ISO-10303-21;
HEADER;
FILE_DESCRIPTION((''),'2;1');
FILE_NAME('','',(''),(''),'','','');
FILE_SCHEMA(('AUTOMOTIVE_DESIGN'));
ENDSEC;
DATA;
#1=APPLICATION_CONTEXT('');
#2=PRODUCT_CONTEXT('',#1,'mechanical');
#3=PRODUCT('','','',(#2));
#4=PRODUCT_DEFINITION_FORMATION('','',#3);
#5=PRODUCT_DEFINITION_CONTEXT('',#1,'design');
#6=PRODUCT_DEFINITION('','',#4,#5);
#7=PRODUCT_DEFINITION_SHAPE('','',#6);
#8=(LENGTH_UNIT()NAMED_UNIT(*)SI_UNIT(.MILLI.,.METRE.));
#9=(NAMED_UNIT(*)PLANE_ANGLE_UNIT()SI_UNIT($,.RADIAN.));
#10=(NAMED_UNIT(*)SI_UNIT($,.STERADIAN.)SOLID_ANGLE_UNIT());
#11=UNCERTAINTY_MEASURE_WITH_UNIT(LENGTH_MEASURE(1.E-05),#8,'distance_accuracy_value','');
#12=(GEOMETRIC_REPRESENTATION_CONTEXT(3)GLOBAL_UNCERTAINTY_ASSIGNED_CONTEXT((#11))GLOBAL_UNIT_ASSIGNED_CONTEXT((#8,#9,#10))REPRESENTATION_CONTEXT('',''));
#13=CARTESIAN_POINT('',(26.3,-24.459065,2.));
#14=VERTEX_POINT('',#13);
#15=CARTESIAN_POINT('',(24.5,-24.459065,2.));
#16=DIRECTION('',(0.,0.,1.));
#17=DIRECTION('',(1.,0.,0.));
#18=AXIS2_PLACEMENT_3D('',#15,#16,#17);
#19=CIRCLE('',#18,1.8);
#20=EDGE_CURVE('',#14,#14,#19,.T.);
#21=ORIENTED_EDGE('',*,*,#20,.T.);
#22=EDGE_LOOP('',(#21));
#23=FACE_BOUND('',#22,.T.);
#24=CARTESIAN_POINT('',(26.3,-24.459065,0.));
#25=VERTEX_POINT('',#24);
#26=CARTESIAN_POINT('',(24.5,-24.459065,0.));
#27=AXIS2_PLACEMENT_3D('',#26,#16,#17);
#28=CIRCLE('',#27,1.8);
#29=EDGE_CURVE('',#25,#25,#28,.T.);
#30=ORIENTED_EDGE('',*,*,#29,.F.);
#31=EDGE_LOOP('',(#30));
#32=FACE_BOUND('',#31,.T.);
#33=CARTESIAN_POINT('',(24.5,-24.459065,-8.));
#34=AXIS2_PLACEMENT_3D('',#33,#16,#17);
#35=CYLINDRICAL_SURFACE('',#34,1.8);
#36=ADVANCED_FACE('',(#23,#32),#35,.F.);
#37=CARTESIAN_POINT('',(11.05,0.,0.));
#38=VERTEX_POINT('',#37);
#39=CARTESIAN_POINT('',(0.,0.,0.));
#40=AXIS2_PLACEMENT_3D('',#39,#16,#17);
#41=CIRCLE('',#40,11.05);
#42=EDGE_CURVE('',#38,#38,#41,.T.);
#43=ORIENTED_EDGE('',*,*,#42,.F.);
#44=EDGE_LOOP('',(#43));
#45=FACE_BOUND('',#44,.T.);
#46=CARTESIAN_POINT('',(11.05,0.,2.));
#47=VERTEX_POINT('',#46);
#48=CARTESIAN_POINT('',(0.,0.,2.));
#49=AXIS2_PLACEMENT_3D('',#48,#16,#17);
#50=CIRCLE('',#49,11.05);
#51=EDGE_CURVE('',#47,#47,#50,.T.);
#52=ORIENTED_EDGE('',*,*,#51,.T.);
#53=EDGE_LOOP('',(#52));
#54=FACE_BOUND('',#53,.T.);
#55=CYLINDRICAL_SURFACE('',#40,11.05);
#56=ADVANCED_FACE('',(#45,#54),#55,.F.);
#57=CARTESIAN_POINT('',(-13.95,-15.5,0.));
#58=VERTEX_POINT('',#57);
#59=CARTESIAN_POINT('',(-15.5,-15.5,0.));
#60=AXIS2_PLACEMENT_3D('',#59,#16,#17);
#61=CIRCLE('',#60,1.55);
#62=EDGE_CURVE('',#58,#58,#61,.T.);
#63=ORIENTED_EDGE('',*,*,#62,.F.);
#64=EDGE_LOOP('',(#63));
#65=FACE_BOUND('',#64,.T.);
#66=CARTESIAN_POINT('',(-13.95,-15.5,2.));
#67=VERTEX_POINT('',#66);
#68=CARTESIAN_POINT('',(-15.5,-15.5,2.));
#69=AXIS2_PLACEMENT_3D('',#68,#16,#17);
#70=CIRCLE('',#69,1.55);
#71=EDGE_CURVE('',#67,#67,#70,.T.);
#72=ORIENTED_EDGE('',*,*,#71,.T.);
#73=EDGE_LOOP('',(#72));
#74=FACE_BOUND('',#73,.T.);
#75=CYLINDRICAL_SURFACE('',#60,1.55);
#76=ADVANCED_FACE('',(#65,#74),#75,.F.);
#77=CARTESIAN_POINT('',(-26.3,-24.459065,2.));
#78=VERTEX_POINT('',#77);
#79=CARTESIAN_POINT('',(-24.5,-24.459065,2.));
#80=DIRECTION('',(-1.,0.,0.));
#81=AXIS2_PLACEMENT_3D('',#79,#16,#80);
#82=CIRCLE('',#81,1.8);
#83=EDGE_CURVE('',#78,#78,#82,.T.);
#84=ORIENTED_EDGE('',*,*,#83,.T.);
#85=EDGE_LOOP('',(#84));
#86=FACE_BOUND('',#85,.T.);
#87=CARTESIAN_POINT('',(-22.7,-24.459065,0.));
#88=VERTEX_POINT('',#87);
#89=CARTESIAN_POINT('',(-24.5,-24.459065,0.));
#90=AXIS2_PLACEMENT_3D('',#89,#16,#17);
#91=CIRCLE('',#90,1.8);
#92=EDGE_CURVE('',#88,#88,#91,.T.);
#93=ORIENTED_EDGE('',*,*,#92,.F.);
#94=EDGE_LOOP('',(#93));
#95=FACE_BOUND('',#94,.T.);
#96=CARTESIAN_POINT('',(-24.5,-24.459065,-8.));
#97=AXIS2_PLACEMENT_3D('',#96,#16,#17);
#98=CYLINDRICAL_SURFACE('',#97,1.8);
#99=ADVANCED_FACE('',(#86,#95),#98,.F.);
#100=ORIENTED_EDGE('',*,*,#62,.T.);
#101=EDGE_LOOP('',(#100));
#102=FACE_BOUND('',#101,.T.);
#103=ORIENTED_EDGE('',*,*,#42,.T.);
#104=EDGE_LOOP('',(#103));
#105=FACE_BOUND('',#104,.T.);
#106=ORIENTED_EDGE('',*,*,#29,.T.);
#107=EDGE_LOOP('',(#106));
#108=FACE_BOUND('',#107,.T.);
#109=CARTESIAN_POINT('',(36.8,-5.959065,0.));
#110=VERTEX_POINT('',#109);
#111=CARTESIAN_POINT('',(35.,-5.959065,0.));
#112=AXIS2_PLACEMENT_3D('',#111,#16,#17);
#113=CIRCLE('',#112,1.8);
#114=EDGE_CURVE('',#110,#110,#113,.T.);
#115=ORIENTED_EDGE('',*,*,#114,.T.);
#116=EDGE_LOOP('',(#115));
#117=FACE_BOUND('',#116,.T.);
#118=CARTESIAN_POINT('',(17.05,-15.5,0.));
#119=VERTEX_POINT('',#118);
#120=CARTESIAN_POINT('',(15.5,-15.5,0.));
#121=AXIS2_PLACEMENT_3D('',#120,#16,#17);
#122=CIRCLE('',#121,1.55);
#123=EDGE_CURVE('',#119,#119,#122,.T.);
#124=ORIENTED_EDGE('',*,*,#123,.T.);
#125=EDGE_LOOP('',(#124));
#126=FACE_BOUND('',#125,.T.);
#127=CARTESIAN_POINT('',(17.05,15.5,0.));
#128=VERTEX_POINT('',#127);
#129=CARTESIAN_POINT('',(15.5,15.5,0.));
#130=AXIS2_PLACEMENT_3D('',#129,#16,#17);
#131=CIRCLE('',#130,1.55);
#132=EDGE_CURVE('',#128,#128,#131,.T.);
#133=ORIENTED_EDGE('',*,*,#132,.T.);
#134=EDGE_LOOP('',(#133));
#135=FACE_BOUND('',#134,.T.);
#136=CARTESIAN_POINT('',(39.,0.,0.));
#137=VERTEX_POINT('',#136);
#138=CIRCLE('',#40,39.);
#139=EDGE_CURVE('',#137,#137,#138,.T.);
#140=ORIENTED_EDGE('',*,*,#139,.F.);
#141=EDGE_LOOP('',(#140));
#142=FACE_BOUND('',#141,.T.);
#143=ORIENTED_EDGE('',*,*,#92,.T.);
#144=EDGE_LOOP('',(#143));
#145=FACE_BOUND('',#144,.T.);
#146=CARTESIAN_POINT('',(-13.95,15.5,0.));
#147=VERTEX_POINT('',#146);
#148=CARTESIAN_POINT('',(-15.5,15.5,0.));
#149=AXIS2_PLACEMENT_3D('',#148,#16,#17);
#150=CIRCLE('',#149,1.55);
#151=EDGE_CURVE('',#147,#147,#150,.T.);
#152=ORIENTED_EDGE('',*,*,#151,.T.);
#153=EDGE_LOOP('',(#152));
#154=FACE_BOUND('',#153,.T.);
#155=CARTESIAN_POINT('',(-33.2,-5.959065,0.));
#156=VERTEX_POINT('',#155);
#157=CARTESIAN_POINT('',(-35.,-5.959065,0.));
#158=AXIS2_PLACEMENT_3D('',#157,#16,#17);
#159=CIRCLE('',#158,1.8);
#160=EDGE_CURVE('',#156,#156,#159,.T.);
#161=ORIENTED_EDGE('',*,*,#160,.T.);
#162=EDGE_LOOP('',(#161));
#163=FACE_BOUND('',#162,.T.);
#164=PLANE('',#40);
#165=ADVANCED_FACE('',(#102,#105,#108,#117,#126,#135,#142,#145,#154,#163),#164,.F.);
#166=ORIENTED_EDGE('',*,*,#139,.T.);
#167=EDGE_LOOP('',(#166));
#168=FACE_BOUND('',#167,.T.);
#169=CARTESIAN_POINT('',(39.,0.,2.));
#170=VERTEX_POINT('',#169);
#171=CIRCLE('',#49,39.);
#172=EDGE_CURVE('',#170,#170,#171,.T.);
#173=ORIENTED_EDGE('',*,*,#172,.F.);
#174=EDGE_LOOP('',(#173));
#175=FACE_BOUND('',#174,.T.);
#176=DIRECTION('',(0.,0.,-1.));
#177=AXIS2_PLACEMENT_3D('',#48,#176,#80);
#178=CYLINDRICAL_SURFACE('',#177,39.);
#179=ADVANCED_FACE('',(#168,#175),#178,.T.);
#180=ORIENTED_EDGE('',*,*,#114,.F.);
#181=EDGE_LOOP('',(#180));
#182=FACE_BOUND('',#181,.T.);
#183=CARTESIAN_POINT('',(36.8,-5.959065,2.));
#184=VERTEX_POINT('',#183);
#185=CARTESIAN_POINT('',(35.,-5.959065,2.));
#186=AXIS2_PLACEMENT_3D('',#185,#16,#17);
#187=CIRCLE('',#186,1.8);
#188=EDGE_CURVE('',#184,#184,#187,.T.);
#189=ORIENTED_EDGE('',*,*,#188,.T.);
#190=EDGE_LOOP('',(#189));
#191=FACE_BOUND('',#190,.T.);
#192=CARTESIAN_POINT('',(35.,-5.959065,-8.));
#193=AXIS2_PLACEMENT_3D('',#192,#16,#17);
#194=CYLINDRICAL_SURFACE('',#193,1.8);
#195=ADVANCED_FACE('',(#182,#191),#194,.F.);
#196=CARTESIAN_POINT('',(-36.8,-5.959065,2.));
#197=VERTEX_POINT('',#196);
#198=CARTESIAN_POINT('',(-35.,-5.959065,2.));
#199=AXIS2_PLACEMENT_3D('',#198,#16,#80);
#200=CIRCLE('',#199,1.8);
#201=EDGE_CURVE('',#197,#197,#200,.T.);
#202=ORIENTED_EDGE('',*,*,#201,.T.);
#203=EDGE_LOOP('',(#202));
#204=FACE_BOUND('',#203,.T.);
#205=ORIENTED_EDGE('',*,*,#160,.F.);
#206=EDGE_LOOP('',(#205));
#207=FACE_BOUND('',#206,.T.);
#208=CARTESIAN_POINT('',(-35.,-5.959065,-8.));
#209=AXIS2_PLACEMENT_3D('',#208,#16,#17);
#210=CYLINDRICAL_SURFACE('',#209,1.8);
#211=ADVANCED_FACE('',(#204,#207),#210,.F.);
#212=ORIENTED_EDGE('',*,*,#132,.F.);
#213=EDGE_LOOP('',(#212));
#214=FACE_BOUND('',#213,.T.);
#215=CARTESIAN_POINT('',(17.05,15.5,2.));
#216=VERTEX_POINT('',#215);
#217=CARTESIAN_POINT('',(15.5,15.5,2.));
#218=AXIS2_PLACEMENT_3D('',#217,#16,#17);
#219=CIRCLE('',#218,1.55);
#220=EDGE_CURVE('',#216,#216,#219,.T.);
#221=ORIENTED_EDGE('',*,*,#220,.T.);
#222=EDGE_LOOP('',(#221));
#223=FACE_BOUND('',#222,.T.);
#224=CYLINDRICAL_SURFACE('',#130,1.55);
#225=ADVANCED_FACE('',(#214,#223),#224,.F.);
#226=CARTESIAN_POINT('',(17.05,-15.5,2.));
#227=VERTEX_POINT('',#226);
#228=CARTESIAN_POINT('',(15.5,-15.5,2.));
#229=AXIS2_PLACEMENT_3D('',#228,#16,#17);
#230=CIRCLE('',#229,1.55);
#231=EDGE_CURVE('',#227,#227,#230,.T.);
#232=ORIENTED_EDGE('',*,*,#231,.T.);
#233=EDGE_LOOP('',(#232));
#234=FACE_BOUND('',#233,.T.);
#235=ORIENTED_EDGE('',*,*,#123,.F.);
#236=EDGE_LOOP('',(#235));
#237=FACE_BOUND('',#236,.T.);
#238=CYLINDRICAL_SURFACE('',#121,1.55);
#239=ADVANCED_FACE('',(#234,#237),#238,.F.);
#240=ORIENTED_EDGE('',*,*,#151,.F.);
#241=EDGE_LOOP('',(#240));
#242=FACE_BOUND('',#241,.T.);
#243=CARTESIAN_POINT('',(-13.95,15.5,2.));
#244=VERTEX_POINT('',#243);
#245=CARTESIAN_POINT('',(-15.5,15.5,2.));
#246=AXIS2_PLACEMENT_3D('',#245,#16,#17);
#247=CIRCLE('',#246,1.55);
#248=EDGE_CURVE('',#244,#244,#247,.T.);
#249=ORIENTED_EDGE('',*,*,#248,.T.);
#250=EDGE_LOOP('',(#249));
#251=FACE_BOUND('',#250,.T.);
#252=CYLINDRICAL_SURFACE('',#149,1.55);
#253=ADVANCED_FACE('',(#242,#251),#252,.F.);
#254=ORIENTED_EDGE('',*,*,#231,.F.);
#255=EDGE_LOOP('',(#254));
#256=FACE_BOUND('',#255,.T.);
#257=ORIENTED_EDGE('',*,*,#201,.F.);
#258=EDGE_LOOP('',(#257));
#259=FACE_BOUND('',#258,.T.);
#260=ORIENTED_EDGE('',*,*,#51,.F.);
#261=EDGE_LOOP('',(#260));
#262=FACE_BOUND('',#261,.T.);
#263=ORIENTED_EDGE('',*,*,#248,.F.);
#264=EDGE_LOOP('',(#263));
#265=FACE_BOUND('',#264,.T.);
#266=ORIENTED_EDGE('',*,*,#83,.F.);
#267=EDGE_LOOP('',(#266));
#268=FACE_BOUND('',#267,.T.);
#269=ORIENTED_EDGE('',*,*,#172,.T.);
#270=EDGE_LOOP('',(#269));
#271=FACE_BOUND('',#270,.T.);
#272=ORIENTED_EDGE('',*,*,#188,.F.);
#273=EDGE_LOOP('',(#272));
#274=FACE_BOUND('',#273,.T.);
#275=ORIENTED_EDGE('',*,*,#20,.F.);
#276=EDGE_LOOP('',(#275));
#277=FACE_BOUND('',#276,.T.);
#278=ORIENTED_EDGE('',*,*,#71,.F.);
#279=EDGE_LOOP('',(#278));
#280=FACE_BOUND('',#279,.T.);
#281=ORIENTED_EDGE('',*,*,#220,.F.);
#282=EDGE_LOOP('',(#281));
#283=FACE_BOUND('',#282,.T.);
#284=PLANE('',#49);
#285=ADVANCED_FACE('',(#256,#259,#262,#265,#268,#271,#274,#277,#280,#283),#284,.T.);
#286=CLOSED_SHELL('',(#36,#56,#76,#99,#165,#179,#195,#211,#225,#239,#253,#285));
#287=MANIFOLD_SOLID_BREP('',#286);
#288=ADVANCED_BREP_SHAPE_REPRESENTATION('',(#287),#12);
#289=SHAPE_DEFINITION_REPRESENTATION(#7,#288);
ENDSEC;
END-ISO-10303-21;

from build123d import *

# Parameters (mm, degrees)
SKETCH_1_R          = 39
EXTRUDE_1_DEPTH     = 2
SKETCH_3_R          = 1.55
CUT_EXTRUDE_2_DEPTH = 2
SKETCH_4_R          = 11.05
CUT_EXTRUDE_3_DEPTH = 2
SKETCH_6_R          = 1.8
CUT_EXTRUDE_4_DEPTH = 10


with BuildPart() as part:
    # 草图1 → 凸台-拉伸1 (new body)
    with BuildSketch(Plane.XY):
        Circle(SKETCH_1_R)
    extrude(amount=EXTRUDE_1_DEPTH)

    # 草图3 → 切除-拉伸2 (cut)
    with BuildSketch(Plane.XY.offset(2)):
        with Locations((-15.5, -15.5)):
            Circle(SKETCH_3_R)
        with Locations((15.5, -15.5)):
            Circle(SKETCH_3_R)
        with Locations((15.5, 15.5)):
            Circle(SKETCH_3_R)
        with Locations((-15.5, 15.5)):
            Circle(SKETCH_3_R)
    extrude(amount=-CUT_EXTRUDE_2_DEPTH, mode=Mode.SUBTRACT)

    # 草图4 → 切除-拉伸3 (cut)
    with BuildSketch(Plane.XY.offset(2)):
        Circle(SKETCH_4_R)
    extrude(amount=-CUT_EXTRUDE_3_DEPTH, mode=Mode.SUBTRACT)

    # 草图6 → 切除-拉伸4 (cut)
    with BuildSketch(Plane.XY.offset(2)):
        with Locations((24.5, -24.459064842)):
            Circle(SKETCH_6_R)
        with Locations((-24.5, -24.459064842)):
            Circle(SKETCH_6_R)
        with Locations((35, -5.959064842)):
            Circle(SKETCH_6_R)
        with Locations((-35, -5.959064842)):
            Circle(SKETCH_6_R)
    extrude(amount=-CUT_EXTRUDE_4_DEPTH, mode=Mode.SUBTRACT)


solid = part.part
